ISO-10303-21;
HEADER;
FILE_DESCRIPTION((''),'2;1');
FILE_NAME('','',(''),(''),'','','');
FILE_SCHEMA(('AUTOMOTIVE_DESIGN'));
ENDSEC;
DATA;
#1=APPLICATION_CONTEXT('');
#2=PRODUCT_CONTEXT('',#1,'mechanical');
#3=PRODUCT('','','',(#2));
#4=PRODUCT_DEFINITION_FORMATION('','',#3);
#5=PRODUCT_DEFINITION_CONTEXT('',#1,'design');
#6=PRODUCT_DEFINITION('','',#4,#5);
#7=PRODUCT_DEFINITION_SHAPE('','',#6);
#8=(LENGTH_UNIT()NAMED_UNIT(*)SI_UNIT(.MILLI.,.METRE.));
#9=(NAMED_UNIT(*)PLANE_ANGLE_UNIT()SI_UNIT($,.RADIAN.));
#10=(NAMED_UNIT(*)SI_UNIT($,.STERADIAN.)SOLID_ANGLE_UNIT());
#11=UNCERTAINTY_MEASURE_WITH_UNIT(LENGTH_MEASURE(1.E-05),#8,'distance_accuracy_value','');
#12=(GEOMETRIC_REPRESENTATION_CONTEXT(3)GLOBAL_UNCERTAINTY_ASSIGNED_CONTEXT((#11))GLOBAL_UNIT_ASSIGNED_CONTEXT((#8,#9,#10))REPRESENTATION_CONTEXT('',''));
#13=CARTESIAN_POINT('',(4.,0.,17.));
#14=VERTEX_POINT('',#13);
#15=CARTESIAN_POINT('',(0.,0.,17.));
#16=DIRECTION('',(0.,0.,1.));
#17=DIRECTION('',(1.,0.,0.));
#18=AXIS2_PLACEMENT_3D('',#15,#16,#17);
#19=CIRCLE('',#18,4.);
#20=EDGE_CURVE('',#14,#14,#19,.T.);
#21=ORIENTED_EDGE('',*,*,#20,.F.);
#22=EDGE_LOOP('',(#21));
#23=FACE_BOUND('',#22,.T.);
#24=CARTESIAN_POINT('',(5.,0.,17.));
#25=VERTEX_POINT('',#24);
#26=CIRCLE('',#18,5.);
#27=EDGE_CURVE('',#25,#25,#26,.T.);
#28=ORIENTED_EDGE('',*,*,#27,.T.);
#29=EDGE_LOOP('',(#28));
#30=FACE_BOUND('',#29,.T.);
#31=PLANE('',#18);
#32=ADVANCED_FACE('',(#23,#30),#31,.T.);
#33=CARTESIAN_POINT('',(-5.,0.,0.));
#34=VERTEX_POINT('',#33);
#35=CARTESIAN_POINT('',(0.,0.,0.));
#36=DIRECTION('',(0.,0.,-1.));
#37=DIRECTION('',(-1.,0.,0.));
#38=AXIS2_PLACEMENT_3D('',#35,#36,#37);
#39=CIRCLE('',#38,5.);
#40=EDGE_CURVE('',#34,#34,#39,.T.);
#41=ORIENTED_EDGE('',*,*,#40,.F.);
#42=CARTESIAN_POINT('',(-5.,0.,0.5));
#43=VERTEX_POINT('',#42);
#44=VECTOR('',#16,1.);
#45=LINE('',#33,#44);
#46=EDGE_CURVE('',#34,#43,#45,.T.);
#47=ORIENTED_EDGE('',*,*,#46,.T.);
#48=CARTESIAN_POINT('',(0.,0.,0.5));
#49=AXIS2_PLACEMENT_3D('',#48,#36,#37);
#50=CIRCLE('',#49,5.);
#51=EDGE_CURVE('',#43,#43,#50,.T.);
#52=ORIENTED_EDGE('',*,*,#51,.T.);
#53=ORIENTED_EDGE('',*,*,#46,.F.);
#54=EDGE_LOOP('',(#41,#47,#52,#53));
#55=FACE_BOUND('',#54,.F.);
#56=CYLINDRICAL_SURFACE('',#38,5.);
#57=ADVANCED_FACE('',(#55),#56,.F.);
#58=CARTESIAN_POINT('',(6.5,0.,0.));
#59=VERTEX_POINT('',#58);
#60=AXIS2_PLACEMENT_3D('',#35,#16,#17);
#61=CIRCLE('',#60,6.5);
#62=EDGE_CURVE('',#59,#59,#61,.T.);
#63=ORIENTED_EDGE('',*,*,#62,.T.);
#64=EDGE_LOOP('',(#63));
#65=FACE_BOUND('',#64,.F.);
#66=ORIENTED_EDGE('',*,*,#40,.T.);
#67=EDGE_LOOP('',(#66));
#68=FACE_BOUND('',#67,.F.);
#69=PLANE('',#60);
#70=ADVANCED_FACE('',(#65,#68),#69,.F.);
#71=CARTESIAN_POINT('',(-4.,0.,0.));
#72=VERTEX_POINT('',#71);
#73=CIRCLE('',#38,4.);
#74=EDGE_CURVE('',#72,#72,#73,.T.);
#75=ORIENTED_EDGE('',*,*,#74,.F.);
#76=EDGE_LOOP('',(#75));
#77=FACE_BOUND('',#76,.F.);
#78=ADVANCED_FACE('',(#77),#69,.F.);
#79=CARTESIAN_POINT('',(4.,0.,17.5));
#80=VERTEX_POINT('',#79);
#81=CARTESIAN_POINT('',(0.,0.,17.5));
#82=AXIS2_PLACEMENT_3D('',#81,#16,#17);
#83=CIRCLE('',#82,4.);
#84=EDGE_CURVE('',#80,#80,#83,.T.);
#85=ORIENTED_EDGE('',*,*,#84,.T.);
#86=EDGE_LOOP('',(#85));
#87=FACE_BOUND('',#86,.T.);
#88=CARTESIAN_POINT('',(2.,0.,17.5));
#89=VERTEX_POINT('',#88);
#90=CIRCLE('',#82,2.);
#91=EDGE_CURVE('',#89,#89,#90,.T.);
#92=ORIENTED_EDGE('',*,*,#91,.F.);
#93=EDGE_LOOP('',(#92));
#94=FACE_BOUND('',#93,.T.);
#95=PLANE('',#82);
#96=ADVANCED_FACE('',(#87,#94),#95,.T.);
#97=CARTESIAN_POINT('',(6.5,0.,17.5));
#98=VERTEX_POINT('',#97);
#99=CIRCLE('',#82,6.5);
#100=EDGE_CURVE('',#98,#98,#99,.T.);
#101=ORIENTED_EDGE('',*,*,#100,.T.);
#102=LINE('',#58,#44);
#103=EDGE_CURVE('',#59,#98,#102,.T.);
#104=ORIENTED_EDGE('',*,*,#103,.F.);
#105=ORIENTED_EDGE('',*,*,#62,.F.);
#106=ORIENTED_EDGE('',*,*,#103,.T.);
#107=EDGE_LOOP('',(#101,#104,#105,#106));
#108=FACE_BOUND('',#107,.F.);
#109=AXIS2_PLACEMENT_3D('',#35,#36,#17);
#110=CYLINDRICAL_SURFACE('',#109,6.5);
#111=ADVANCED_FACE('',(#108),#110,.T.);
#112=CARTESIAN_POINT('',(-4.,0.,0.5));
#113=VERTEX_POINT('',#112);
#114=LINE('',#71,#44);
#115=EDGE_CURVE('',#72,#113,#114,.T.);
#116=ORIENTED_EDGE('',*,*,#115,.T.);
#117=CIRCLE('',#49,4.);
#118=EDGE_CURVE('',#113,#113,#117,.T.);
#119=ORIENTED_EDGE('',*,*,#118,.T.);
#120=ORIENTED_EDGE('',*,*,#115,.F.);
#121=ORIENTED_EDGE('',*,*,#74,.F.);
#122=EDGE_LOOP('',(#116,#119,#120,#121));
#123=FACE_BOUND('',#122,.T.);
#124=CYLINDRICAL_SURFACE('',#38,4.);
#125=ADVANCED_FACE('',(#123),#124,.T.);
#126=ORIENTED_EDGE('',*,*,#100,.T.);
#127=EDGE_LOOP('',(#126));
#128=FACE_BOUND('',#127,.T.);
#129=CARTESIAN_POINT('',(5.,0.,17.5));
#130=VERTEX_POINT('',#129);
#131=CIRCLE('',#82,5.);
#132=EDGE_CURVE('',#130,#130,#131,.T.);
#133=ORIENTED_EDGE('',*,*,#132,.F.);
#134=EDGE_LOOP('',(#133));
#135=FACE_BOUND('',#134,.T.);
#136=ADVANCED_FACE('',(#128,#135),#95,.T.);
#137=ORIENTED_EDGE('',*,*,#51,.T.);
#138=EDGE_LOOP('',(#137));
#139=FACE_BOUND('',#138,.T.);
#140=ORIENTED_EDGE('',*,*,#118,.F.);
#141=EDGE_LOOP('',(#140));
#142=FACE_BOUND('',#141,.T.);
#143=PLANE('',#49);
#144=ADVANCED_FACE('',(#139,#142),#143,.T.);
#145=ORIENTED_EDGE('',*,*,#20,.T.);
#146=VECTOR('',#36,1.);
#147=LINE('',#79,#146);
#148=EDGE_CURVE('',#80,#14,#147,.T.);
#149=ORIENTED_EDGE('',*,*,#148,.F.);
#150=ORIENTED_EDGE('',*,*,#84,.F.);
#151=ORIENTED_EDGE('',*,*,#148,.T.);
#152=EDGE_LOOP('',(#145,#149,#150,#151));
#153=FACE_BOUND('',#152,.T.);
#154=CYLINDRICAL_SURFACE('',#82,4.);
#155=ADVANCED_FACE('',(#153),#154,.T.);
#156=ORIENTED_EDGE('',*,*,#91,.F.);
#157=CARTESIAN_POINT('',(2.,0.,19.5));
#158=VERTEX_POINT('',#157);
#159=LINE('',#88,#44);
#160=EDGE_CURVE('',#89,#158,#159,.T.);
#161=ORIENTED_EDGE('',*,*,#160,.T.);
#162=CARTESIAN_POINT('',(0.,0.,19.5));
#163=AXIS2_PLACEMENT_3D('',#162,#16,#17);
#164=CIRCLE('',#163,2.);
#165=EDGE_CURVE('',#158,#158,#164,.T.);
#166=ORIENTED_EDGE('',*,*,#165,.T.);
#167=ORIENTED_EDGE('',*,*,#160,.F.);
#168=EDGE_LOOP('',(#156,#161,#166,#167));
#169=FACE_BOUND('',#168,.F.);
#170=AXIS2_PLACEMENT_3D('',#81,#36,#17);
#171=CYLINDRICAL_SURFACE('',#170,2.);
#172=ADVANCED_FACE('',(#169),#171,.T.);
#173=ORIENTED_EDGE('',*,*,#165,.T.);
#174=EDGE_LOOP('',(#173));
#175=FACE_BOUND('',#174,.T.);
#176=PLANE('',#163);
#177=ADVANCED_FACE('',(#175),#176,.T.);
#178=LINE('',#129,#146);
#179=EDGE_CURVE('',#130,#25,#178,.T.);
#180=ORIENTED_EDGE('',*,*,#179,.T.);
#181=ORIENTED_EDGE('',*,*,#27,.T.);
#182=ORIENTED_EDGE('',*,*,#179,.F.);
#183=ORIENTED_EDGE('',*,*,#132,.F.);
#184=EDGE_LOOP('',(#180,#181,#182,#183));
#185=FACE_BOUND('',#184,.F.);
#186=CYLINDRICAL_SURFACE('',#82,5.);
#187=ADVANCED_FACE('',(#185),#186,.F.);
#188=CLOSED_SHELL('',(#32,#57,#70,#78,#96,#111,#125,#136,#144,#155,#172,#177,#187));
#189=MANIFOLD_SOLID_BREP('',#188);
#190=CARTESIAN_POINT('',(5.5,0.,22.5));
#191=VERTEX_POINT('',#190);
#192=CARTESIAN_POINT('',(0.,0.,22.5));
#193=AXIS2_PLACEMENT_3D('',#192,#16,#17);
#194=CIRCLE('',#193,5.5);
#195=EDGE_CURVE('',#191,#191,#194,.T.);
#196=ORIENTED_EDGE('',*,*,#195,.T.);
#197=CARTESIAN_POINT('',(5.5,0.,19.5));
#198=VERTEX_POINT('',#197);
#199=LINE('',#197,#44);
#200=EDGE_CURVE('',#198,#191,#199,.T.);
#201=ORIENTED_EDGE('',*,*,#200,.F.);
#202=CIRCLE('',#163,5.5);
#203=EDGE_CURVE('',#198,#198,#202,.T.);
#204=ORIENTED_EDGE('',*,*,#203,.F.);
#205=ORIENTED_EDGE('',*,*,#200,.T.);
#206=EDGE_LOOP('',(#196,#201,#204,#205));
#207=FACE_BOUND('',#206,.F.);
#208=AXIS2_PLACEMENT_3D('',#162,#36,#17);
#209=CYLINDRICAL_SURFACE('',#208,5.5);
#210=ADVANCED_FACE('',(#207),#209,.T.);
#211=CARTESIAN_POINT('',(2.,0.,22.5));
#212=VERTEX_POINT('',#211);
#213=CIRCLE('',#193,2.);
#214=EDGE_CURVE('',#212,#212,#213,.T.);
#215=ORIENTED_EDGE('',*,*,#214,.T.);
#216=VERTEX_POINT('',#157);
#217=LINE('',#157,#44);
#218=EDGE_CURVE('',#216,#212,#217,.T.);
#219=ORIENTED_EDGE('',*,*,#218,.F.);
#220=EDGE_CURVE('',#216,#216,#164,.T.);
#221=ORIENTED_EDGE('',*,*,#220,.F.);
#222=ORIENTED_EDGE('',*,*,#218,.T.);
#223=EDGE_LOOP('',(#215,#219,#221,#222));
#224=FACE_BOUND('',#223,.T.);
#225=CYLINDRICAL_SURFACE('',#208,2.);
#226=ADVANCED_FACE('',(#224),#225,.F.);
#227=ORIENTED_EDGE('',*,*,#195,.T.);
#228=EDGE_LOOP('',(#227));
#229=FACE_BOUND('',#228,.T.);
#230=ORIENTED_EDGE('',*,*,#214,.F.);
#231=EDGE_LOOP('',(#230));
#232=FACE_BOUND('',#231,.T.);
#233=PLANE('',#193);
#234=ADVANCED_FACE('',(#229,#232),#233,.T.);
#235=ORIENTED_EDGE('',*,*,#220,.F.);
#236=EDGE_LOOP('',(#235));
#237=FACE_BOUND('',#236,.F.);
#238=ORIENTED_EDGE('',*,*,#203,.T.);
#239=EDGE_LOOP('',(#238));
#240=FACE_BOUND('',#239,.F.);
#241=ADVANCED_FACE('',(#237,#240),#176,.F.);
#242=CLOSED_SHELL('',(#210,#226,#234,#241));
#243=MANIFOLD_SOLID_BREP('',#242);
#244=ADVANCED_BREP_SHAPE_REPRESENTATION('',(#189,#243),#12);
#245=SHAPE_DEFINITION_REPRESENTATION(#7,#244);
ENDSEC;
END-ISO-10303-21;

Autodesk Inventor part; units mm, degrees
ref_plane "YZ Plane" through (0, 0, 0) normal (1, 0, 0) x (0, 1, 0)
ref_plane "XZ Plane" through (0, 0, 0) normal (0, 1, 0) x (-1, 0, 0)
ref_plane "XY Plane" through (0, 0, 0) normal (0, 0, 1) x (1, 0, 0)
sketch "Sketch1" plane through (0, 0, 0) normal (0, 0, 1) x (1, 0, 0)
  circle A0 centre (0, 0) radius 6.5
  dimension "d0" = 13
extrude "Extrusion1" add sketch "Sketch1" along normal blind 17.5
sketch "Sketch2" plane through (0, 0, 17.5) normal (0, 0, 1) x (1, 0, 0)
  circle A0 centre (0, 0) radius 6.5 projected
  circle A1 centre (0, 0) radius 5
  circle A2 centre (0, 0) radius 4
  dimension "d3" = 10
  dimension "d4" = 8
extrude "Extrusion2" cut sketch "Sketch2" against normal blind 0.5 contours A1
sketch "Sketch3" plane through (0, 0, 0) normal (0, 0, -1) x (-1, 0, 0)
  circle A0 centre (0, 0) radius 6.5 projected
  circle A1 centre (0, 0) radius 5
  circle A2 centre (0, 0) radius 4
  dimension "d7" = 10
  dimension "d8" = 8
extrude "Extrusion3" cut sketch "Sketch3" against normal blind 0.5 contours A1
sketch "Sketch4" plane through (0, 0, 17.5) normal (0, 0, 1) x (1, 0, 0)
  circle A0 centre (0, 0) radius 4 projected
  circle A1 centre (0, 0) radius 2
  dimension "d11" = 4
extrude "Extrusion4" add sketch "Sketch4" along normal blind 2 contours A1
sketch "Sketch5" plane through (0, 0, 19.5) normal (0, 0, 1) x (1, 0, 0)
  circle A0 centre (0, 0) radius 2 projected
  circle A1 centre (0, 0) radius 5.5
  dimension "d14" = 11
extrude "Extrusion5" add sketch "Sketch5" along normal blind 3
properties part number "bearing"
